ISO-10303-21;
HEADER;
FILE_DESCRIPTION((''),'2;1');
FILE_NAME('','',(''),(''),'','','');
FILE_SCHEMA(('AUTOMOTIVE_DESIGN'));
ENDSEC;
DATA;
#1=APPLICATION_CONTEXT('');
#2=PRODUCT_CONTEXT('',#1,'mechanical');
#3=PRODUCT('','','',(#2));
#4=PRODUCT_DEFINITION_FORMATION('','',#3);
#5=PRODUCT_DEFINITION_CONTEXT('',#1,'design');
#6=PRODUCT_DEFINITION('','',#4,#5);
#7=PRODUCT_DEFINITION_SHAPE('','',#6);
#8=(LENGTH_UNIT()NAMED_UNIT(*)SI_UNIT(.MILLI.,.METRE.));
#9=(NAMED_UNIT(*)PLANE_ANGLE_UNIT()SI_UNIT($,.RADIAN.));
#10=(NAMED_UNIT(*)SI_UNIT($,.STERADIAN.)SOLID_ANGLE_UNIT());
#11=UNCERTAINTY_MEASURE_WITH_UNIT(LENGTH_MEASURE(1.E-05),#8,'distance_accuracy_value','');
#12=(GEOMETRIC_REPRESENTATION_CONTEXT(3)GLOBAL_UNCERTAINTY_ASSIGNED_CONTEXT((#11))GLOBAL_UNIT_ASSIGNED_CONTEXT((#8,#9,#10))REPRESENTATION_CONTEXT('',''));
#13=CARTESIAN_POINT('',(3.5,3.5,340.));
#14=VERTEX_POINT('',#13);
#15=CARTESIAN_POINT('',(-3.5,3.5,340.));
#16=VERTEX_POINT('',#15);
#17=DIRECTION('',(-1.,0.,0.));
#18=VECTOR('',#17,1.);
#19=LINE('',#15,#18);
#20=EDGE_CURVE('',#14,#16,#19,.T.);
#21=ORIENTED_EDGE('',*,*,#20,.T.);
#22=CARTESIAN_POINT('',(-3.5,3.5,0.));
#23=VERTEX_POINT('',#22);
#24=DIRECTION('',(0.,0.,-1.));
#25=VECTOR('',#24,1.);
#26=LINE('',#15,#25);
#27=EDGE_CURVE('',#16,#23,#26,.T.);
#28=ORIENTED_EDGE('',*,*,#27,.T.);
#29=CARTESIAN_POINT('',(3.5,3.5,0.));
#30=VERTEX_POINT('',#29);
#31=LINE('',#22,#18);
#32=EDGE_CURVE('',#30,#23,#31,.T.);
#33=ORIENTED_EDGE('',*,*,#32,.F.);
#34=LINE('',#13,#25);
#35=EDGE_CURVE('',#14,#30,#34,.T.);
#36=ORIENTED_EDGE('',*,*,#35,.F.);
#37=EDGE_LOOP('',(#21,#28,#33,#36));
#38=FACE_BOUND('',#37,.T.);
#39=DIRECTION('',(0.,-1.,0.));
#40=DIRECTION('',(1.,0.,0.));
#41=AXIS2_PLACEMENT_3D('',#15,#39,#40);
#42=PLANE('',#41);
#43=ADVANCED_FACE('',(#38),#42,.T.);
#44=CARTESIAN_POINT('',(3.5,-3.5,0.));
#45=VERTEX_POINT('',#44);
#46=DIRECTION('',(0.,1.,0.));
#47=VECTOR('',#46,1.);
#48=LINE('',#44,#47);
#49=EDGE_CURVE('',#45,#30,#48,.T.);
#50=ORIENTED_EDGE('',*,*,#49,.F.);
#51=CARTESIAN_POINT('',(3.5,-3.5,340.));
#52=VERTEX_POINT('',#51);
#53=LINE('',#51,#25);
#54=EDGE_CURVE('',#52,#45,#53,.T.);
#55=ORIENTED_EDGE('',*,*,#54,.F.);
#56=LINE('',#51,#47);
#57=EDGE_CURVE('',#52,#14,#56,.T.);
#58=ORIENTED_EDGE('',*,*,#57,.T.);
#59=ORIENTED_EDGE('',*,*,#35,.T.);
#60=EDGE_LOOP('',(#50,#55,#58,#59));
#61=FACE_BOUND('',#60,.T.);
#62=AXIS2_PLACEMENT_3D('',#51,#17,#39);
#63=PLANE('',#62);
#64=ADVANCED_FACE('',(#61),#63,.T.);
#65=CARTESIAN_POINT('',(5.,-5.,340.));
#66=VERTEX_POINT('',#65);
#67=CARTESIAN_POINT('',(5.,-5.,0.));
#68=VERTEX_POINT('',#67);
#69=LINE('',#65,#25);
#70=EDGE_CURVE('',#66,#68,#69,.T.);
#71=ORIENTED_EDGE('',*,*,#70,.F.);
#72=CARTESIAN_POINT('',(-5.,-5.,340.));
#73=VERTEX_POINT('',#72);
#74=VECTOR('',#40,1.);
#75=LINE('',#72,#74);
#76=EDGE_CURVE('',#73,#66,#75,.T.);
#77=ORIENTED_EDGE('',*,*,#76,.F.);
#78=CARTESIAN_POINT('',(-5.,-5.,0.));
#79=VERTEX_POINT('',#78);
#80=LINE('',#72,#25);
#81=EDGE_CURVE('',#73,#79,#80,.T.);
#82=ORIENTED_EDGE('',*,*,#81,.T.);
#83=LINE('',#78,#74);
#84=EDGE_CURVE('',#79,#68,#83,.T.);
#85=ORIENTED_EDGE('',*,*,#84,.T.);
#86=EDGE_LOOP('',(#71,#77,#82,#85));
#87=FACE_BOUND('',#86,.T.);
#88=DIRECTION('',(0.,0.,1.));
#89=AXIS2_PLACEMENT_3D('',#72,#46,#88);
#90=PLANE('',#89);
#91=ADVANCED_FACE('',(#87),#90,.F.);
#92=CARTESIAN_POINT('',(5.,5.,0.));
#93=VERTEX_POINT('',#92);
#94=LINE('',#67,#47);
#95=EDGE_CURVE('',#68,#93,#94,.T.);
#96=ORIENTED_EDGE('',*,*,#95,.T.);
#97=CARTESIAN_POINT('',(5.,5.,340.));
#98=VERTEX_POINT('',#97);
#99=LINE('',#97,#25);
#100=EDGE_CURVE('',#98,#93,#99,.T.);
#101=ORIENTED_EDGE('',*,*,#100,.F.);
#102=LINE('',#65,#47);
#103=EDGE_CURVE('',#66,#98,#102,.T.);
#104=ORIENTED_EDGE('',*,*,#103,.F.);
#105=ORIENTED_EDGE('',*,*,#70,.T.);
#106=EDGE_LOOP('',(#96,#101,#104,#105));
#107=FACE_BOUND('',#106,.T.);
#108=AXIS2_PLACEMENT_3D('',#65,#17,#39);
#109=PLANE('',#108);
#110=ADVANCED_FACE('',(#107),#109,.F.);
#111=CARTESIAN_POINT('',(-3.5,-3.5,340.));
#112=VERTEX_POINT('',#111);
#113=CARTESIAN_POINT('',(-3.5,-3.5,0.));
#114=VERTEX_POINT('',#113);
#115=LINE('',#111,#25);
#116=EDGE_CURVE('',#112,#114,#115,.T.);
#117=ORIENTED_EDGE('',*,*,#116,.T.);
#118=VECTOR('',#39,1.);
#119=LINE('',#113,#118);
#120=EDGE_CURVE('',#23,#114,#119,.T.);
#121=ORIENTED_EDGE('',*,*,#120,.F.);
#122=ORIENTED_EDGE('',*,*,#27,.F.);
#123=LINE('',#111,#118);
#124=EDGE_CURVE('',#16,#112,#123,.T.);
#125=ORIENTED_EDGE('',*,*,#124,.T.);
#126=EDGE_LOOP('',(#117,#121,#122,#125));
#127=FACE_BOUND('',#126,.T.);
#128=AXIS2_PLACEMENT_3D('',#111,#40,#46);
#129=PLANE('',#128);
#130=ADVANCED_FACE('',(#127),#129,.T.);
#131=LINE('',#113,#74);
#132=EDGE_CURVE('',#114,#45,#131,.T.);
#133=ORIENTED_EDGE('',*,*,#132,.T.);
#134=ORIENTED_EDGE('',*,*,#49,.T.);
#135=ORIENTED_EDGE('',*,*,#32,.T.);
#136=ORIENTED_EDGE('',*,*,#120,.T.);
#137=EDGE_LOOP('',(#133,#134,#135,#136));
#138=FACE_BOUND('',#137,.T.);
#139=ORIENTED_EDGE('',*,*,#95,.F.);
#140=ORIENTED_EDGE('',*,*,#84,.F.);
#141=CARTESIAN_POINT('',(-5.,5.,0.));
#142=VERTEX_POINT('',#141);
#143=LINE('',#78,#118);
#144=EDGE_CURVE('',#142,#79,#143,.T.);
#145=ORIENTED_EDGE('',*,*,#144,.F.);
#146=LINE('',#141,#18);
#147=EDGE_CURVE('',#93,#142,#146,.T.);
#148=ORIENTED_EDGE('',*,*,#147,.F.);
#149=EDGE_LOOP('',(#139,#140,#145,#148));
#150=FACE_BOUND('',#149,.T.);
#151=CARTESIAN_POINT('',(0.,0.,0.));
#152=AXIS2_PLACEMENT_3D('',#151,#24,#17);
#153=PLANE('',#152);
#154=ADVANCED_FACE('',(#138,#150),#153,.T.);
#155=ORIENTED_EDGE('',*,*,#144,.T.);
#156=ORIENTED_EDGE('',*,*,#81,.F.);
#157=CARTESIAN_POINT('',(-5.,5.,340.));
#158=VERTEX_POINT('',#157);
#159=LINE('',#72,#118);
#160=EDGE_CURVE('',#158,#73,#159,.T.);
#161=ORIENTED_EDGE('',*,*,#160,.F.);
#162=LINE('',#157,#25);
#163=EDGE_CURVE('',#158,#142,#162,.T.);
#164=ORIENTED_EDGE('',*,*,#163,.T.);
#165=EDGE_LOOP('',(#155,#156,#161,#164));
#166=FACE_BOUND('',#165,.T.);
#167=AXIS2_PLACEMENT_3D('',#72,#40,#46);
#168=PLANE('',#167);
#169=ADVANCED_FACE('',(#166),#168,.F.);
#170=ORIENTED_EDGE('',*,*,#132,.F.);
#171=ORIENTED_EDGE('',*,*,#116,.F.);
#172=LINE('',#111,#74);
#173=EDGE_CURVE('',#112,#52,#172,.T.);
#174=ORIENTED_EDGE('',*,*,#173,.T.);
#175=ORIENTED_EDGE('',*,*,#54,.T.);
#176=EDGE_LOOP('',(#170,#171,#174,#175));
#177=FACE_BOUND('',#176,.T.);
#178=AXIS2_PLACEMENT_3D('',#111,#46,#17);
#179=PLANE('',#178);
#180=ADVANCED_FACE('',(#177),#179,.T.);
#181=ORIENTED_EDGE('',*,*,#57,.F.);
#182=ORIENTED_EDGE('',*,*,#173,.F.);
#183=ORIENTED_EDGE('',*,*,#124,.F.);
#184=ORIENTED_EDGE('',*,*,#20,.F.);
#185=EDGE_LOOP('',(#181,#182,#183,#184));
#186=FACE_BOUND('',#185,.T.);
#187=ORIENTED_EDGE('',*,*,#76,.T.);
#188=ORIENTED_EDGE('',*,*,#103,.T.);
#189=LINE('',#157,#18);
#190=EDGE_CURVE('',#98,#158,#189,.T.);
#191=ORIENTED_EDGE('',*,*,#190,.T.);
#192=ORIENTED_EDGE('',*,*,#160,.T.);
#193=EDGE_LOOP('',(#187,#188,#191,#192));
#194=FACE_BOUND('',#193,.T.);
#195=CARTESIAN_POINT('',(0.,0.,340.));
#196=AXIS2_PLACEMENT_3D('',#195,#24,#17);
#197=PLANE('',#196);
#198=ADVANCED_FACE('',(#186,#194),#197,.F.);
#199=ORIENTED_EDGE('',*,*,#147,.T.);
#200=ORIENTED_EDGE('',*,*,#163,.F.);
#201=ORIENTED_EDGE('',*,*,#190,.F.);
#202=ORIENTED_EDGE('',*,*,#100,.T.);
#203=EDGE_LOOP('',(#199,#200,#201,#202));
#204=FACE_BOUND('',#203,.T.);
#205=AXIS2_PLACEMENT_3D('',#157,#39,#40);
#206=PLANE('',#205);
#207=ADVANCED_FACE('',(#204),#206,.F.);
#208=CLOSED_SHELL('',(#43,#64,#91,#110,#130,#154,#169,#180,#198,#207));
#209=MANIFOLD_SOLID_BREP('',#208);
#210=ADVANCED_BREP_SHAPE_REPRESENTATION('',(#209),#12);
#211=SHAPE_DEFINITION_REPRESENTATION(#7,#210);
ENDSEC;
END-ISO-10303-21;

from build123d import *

# Parameters (mm, degrees)
SZKIC1_W                    = 10
SZKIC1_H                    = 10
SZKIC1_W_2                  = 7
SZKIC1_H_2                  = 7
DODANIE_WYCI_GNI_CIE1_DEPTH = 340


with BuildPart() as part:
    # Szkic1 → Dodanie-wyciągnięcie1 (new body)
    with BuildSketch(Plane.XY):
        Rectangle(SZKIC1_W, SZKIC1_H)
        Rectangle(SZKIC1_W_2, SZKIC1_H_2, mode=Mode.SUBTRACT)
    extrude(amount=DODANIE_WYCI_GNI_CIE1_DEPTH)


solid = part.part
